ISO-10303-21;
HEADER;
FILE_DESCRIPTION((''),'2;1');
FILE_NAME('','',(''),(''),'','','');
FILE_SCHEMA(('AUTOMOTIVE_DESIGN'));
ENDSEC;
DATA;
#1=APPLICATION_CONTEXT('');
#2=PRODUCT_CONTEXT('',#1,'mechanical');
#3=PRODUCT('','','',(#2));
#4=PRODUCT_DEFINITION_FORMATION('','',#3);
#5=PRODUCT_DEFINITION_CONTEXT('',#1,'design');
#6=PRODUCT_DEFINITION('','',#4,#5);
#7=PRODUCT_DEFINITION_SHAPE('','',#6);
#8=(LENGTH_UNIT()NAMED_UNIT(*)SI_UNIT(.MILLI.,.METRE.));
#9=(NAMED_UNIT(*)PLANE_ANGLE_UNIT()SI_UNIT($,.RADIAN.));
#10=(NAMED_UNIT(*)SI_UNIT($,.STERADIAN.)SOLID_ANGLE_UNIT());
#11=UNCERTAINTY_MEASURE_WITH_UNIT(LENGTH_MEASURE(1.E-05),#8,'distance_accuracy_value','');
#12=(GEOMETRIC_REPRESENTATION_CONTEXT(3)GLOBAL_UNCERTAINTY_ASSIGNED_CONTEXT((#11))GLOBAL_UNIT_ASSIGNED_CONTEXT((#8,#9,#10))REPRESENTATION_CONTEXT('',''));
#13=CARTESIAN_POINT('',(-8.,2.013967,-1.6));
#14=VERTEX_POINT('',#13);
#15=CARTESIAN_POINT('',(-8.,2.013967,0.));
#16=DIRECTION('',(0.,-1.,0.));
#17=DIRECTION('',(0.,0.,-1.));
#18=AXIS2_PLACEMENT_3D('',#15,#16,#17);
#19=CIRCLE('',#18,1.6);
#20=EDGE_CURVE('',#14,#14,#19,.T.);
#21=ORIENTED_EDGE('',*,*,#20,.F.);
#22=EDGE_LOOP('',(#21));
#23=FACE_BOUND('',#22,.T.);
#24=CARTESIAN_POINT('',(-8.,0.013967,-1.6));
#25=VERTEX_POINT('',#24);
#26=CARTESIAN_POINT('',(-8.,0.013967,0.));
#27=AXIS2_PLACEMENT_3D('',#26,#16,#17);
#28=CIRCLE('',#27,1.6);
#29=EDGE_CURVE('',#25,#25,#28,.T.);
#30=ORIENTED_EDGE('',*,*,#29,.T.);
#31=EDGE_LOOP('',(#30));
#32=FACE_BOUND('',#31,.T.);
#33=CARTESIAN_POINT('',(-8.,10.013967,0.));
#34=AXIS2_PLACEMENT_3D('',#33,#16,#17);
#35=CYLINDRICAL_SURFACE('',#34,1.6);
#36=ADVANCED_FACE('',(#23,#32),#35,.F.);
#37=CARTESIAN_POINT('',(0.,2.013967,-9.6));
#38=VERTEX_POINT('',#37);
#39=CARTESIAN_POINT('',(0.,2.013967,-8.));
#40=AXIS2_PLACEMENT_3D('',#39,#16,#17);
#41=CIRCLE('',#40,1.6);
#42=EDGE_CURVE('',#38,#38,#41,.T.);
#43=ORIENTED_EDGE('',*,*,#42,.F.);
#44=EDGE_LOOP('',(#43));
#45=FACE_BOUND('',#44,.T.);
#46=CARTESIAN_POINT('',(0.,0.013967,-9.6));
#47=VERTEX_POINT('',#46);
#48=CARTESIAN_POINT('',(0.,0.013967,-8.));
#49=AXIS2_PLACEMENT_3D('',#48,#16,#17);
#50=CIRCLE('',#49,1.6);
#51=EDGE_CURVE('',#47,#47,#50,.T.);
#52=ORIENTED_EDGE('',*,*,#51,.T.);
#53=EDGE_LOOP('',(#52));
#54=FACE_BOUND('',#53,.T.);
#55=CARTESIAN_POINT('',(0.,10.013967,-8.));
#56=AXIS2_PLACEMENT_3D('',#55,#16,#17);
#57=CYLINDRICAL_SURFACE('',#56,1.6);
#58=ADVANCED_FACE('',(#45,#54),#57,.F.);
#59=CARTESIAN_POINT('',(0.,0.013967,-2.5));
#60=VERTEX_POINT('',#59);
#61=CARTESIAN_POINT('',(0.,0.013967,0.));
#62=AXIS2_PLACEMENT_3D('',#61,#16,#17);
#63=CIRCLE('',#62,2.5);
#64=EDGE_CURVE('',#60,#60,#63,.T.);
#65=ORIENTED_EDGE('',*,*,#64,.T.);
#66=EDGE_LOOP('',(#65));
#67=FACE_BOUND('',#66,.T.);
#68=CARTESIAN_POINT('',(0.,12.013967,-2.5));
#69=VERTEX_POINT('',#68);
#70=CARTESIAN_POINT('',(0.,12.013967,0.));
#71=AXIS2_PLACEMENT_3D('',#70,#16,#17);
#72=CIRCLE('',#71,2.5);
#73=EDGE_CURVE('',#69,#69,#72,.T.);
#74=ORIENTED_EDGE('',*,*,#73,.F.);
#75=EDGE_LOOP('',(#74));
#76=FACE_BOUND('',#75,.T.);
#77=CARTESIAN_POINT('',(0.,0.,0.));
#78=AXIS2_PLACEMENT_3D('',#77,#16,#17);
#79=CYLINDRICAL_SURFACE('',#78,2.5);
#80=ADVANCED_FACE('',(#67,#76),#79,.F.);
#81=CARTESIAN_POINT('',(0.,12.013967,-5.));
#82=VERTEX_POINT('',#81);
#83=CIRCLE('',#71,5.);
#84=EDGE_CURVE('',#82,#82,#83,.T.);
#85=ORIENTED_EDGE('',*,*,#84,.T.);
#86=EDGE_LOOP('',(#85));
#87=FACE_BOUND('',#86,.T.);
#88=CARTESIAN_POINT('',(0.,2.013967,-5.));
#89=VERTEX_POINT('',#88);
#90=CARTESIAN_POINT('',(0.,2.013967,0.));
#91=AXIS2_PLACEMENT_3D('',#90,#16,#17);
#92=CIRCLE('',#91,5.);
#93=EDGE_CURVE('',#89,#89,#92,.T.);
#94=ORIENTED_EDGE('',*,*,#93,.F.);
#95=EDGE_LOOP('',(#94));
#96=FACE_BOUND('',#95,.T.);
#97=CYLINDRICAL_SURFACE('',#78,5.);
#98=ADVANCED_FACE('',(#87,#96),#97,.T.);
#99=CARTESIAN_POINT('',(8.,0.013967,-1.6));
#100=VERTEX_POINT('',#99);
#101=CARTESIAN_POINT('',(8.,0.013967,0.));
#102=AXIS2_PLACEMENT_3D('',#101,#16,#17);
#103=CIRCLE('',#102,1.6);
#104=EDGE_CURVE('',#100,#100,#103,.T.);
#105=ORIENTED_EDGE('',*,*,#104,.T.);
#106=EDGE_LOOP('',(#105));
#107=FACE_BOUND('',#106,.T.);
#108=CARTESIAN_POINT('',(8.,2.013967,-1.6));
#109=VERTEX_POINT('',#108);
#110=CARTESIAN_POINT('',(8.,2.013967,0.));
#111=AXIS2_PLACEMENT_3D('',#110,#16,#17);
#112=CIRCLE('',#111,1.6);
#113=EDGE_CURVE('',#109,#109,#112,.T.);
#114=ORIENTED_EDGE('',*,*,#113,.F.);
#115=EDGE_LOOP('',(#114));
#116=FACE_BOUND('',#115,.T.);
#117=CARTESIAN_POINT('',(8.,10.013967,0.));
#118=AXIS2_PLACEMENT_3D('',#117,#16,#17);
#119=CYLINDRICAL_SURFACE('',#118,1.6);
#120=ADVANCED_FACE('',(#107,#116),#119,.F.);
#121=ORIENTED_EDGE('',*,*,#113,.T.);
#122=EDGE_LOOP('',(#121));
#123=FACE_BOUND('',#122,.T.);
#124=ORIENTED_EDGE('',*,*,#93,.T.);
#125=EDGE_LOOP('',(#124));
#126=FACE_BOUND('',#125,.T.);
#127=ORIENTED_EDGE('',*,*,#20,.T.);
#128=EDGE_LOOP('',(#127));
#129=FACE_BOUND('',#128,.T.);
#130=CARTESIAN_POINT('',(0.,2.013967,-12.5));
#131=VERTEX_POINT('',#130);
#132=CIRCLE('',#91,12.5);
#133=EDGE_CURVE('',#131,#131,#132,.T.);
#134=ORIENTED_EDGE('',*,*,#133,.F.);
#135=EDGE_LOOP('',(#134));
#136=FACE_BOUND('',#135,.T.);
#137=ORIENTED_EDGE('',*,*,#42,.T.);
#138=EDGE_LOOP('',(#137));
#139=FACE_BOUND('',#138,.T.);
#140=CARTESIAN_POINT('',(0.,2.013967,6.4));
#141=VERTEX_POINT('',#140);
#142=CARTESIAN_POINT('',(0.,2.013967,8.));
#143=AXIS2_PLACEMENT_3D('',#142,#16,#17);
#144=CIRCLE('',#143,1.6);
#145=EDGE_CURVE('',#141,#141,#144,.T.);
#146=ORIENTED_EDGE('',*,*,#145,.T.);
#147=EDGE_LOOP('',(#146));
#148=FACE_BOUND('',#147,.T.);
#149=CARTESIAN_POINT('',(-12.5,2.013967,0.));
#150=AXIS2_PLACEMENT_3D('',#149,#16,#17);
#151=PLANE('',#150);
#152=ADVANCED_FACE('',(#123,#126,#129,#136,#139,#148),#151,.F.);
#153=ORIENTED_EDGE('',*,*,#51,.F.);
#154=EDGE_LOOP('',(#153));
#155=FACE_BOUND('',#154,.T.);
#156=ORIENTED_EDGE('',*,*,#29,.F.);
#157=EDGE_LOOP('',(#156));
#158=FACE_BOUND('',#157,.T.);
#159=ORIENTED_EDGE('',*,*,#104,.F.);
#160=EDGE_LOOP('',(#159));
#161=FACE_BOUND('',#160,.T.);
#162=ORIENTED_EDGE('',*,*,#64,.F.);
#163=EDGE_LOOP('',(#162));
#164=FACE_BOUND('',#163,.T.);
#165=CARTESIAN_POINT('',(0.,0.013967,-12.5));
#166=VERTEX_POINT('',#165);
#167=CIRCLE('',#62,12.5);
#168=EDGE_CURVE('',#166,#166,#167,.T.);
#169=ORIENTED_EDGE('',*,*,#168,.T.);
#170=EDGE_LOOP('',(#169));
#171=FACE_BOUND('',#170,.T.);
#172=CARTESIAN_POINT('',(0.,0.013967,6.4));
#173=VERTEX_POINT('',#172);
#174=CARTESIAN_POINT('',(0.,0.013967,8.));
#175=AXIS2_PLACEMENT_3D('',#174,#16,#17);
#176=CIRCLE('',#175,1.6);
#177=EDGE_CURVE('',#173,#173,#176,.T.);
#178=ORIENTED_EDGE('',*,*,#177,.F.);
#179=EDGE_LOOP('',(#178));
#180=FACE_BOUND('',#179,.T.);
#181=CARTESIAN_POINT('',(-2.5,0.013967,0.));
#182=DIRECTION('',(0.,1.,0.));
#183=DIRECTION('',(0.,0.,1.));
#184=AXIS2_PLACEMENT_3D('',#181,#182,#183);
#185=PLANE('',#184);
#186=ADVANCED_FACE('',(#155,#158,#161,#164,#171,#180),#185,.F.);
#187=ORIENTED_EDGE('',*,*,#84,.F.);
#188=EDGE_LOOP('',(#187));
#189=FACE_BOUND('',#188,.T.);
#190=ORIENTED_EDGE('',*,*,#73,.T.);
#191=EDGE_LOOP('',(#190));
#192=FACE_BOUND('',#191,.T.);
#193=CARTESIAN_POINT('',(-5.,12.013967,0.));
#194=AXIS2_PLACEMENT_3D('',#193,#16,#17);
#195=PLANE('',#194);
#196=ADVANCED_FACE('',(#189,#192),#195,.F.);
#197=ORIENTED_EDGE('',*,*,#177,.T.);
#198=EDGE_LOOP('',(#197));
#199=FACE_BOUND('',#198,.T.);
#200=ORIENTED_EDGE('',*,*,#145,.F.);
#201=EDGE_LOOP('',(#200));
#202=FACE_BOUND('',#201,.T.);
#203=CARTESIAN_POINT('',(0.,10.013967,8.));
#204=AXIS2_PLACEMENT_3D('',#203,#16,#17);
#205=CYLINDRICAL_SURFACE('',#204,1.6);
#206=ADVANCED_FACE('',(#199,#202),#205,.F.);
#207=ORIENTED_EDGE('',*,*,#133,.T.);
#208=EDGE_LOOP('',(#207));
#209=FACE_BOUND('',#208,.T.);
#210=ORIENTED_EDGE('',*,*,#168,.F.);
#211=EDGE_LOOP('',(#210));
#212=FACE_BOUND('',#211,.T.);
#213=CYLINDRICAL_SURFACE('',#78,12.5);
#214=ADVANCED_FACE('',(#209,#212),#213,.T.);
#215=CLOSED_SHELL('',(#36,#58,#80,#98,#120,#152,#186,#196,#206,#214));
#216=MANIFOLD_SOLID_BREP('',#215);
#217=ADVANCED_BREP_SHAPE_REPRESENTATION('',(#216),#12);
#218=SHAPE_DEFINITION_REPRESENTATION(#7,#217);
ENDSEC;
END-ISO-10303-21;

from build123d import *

# Parameters (mm, degrees)
SKETCH_2_R          = 1.6
CUT_EXTRUDE_1_DEPTH = 10


with BuildPart() as part:
    # 草图1 → 旋转1 (revolve)
    with BuildSketch(Plane.XY):
        Polygon((-2.5, 0.013967073), (-12.5, 0.013967073), (-12.5, 2.013967073), (-5, 2.013967073), (-5, 12.013967073), (-2.5, 12.013967073), align=None)
    revolve(axis=Axis((0, 0, 0), (0, 1, 0)))

    # 草图2 → 切除-拉伸1 (cut)
    with BuildSketch(Plane.XZ.offset(-0.013967073)):
        with Locations((-8, 0)):
            Circle(SKETCH_2_R)
        with Locations((0, 8)):
            Circle(SKETCH_2_R)
        with Locations((8, 0)):
            Circle(SKETCH_2_R)
        with Locations((0, -8)):
            Circle(SKETCH_2_R)
    extrude(amount=-CUT_EXTRUDE_1_DEPTH, mode=Mode.SUBTRACT)


solid = part.part
